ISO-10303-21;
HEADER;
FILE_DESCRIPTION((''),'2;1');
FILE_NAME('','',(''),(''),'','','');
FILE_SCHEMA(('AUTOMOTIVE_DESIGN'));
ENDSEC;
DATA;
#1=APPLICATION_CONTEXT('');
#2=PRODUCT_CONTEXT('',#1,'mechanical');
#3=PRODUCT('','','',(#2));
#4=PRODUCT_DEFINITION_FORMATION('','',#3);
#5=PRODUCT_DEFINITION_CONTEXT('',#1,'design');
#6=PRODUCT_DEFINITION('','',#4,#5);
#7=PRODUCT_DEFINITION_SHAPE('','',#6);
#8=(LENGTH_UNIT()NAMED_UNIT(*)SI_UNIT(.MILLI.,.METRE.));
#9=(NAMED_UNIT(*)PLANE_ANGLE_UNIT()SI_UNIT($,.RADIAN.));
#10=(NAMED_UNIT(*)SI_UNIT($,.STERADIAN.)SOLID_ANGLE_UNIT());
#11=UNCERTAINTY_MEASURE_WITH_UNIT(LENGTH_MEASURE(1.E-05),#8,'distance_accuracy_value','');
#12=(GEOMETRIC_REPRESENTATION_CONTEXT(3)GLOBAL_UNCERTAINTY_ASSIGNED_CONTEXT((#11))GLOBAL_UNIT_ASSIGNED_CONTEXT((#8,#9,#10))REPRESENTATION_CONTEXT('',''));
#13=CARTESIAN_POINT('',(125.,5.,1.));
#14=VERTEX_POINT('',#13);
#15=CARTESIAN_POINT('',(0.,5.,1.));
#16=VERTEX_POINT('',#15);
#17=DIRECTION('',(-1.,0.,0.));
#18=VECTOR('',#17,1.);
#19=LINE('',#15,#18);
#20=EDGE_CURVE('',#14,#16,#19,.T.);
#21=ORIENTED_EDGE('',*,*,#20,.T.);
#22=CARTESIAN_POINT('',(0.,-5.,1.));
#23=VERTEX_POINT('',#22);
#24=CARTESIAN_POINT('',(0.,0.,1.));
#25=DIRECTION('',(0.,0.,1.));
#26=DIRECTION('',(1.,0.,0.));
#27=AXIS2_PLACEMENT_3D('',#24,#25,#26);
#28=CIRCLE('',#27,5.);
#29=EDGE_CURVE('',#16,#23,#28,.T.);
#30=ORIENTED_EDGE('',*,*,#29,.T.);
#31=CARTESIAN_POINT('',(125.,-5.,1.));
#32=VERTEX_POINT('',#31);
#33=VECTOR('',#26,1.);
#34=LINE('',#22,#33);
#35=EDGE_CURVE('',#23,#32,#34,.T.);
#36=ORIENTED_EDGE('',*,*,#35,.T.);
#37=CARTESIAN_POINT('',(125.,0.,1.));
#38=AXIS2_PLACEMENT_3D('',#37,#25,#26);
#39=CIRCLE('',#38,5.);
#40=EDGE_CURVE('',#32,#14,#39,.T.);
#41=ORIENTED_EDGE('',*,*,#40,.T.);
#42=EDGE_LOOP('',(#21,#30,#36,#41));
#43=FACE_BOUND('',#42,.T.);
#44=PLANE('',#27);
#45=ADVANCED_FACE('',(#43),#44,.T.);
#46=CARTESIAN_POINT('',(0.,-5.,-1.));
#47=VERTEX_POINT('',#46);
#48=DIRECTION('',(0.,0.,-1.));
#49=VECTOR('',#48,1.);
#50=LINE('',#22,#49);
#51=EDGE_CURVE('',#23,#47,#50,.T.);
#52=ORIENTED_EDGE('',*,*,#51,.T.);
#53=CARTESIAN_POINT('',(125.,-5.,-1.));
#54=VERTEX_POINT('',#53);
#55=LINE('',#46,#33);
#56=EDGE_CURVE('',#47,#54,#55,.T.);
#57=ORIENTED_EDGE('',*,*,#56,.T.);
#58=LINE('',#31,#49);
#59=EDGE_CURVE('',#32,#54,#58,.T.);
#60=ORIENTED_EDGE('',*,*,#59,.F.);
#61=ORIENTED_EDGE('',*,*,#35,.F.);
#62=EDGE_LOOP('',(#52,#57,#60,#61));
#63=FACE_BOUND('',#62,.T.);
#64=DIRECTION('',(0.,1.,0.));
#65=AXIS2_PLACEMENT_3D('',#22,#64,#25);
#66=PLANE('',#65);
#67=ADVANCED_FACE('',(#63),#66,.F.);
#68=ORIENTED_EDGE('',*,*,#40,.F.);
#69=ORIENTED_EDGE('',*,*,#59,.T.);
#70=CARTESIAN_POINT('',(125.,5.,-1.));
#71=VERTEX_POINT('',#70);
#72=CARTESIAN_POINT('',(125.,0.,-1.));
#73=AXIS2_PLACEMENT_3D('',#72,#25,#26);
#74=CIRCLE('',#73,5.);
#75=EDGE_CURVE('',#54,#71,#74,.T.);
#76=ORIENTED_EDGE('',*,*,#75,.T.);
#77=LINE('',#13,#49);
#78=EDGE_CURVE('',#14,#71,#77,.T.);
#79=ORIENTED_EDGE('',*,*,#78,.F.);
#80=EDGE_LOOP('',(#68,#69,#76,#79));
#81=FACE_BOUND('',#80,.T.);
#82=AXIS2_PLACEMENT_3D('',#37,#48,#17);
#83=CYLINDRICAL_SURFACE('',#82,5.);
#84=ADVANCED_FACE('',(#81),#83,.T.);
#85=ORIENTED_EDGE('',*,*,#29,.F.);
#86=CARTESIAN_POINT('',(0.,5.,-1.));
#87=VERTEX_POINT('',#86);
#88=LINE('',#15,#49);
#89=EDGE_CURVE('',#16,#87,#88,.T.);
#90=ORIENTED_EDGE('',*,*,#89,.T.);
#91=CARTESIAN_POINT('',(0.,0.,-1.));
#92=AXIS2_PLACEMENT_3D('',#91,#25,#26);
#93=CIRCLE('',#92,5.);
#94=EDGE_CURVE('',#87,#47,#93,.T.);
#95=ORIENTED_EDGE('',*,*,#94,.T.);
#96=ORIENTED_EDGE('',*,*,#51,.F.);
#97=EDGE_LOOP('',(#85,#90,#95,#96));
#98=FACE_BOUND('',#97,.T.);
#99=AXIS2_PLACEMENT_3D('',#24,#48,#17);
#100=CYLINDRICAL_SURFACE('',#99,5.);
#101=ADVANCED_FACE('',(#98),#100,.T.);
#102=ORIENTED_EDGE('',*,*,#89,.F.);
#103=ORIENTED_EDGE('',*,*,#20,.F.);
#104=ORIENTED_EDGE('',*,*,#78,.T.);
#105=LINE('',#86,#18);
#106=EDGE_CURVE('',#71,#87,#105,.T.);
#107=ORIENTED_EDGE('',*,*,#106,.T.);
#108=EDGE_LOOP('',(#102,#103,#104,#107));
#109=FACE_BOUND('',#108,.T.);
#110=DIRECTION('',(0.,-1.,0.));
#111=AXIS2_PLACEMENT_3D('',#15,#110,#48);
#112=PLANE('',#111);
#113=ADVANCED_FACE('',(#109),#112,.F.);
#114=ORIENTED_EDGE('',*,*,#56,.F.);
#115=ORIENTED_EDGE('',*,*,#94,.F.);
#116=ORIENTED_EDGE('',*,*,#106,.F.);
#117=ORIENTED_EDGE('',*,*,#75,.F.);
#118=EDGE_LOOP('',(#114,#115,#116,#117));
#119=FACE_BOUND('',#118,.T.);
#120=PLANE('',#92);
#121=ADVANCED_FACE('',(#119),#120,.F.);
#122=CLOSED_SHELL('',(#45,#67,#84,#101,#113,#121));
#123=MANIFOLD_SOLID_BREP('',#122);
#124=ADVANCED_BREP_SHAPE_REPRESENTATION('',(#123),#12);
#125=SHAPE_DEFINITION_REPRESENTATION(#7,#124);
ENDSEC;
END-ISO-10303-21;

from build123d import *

# Parameters (mm, degrees)
BOSS_EXTRUDE1_DEPTH = 1


with BuildPart() as part:
    # Sketch1 → Boss-Extrude1 (new, symmetric)
    with BuildSketch(Plane.XY):
        with BuildLine():
            Line((0, 5), (125, 5))
            ThreePointArc((125, 5), (130, 0), (125, -5))
            Line((125, -5), (0, -5))
            ThreePointArc((0, -5), (-5, 0), (0, 5))
        make_face()
    extrude(amount=BOSS_EXTRUDE1_DEPTH, both=True)


solid = part.part
